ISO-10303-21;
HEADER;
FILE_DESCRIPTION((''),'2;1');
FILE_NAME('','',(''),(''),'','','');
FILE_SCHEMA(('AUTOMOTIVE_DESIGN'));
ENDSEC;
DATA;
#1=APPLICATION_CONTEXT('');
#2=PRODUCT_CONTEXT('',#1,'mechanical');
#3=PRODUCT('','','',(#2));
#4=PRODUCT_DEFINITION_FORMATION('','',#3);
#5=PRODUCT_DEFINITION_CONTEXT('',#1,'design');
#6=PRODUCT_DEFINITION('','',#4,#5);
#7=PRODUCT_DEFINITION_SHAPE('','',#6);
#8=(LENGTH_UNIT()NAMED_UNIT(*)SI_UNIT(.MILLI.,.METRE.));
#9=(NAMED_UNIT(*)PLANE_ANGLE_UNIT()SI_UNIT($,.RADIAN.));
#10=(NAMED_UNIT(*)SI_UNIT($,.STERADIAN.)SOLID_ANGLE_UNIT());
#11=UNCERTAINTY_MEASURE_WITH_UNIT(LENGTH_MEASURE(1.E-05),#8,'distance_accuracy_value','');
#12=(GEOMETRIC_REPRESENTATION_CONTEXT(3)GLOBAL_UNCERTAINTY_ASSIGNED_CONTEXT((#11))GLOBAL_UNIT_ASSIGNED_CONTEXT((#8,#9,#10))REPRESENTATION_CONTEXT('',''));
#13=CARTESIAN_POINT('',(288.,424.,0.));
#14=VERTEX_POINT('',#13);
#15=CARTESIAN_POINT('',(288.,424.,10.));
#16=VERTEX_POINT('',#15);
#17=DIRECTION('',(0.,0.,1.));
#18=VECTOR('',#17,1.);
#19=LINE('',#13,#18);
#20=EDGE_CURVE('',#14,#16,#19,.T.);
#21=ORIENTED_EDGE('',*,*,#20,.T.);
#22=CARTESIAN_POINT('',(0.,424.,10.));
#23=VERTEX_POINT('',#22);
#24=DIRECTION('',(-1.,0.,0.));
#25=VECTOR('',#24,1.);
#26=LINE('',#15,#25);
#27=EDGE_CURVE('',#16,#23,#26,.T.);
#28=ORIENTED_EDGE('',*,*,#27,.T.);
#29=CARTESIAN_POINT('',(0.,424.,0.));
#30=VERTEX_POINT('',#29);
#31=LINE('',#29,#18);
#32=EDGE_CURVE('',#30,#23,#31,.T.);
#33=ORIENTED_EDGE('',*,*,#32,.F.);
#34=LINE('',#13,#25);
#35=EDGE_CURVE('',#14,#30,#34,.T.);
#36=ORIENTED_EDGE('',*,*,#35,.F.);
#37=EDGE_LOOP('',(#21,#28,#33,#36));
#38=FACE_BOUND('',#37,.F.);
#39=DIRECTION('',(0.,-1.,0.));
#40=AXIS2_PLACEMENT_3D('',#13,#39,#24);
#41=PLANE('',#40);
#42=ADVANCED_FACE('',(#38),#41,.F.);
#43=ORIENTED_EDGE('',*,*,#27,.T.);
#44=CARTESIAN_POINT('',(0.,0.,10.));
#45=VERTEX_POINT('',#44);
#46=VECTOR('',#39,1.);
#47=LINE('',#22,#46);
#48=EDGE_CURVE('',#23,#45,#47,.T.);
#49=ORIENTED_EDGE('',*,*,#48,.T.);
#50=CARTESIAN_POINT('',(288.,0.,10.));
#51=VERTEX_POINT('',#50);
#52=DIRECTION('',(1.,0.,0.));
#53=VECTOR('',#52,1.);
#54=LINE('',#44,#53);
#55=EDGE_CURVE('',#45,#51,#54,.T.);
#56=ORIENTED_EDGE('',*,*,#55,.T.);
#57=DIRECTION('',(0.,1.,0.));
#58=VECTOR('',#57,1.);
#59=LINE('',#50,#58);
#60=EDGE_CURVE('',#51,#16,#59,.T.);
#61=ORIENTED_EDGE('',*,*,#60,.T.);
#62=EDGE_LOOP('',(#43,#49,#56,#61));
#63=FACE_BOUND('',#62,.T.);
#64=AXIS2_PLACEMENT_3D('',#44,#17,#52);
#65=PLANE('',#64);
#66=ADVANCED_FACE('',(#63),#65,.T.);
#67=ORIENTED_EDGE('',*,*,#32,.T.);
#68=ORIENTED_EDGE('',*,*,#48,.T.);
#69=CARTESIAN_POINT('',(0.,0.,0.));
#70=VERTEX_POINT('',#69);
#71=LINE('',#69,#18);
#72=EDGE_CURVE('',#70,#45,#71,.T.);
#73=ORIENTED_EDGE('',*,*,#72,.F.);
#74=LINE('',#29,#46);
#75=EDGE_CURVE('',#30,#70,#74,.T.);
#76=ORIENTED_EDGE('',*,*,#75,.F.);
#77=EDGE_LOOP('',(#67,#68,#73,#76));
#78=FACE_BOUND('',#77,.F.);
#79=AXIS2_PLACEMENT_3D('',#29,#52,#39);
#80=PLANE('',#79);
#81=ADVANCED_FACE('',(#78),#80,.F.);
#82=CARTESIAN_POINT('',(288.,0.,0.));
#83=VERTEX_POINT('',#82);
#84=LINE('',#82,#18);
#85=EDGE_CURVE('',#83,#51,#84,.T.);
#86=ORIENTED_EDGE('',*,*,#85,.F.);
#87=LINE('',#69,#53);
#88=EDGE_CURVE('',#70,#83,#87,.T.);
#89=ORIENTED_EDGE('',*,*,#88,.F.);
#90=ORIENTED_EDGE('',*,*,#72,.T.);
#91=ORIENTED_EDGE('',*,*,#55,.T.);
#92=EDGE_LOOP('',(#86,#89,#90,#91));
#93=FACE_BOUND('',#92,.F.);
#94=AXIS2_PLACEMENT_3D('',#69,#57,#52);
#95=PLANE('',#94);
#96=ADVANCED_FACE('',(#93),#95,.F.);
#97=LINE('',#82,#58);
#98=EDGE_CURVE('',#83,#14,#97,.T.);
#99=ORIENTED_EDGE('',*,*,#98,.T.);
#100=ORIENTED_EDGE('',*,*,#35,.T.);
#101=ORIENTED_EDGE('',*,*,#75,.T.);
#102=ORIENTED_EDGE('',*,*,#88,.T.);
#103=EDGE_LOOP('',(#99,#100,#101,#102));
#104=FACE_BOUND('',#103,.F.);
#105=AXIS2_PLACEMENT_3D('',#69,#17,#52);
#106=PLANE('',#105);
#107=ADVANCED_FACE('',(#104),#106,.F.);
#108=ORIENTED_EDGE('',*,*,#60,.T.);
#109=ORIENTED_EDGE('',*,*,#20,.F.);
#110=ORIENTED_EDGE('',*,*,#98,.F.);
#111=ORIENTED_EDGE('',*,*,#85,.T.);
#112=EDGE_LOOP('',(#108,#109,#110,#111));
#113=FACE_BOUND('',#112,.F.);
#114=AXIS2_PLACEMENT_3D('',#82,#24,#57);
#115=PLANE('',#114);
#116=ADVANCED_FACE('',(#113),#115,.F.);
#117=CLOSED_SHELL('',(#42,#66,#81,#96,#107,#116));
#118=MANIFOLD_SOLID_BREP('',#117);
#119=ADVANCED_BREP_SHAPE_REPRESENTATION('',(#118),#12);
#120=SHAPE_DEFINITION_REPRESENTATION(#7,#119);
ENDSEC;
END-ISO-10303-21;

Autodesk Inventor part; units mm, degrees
ref_plane "YZ Plane" through (0, 0, 0) normal (1, 0, 0) x (0, 1, 0)
ref_plane "XZ Plane" through (0, 0, 0) normal (0, 1, 0) x (-1, 0, 0)
ref_plane "XY Plane" through (0, 0, 0) normal (0, 0, 1) x (1, 0, 0)
sketch "Sketch1" plane through (0, 0, 0) normal (0, 0, 1) x (1, 0, 0)
  line L0 (0, 0) -> (288, 0)
  line L1 (288, 0) -> (288, 424)
  line L2 (288, 424) -> (0, 424)
  line L3 (0, 424) -> (0, 0)
  dimension "d0" = 288
  dimension "d1" = 424
extrude "Extrusion1" add sketch "Sketch1" along normal blind 10
properties part number "TA002" material "ABS Plastic"
